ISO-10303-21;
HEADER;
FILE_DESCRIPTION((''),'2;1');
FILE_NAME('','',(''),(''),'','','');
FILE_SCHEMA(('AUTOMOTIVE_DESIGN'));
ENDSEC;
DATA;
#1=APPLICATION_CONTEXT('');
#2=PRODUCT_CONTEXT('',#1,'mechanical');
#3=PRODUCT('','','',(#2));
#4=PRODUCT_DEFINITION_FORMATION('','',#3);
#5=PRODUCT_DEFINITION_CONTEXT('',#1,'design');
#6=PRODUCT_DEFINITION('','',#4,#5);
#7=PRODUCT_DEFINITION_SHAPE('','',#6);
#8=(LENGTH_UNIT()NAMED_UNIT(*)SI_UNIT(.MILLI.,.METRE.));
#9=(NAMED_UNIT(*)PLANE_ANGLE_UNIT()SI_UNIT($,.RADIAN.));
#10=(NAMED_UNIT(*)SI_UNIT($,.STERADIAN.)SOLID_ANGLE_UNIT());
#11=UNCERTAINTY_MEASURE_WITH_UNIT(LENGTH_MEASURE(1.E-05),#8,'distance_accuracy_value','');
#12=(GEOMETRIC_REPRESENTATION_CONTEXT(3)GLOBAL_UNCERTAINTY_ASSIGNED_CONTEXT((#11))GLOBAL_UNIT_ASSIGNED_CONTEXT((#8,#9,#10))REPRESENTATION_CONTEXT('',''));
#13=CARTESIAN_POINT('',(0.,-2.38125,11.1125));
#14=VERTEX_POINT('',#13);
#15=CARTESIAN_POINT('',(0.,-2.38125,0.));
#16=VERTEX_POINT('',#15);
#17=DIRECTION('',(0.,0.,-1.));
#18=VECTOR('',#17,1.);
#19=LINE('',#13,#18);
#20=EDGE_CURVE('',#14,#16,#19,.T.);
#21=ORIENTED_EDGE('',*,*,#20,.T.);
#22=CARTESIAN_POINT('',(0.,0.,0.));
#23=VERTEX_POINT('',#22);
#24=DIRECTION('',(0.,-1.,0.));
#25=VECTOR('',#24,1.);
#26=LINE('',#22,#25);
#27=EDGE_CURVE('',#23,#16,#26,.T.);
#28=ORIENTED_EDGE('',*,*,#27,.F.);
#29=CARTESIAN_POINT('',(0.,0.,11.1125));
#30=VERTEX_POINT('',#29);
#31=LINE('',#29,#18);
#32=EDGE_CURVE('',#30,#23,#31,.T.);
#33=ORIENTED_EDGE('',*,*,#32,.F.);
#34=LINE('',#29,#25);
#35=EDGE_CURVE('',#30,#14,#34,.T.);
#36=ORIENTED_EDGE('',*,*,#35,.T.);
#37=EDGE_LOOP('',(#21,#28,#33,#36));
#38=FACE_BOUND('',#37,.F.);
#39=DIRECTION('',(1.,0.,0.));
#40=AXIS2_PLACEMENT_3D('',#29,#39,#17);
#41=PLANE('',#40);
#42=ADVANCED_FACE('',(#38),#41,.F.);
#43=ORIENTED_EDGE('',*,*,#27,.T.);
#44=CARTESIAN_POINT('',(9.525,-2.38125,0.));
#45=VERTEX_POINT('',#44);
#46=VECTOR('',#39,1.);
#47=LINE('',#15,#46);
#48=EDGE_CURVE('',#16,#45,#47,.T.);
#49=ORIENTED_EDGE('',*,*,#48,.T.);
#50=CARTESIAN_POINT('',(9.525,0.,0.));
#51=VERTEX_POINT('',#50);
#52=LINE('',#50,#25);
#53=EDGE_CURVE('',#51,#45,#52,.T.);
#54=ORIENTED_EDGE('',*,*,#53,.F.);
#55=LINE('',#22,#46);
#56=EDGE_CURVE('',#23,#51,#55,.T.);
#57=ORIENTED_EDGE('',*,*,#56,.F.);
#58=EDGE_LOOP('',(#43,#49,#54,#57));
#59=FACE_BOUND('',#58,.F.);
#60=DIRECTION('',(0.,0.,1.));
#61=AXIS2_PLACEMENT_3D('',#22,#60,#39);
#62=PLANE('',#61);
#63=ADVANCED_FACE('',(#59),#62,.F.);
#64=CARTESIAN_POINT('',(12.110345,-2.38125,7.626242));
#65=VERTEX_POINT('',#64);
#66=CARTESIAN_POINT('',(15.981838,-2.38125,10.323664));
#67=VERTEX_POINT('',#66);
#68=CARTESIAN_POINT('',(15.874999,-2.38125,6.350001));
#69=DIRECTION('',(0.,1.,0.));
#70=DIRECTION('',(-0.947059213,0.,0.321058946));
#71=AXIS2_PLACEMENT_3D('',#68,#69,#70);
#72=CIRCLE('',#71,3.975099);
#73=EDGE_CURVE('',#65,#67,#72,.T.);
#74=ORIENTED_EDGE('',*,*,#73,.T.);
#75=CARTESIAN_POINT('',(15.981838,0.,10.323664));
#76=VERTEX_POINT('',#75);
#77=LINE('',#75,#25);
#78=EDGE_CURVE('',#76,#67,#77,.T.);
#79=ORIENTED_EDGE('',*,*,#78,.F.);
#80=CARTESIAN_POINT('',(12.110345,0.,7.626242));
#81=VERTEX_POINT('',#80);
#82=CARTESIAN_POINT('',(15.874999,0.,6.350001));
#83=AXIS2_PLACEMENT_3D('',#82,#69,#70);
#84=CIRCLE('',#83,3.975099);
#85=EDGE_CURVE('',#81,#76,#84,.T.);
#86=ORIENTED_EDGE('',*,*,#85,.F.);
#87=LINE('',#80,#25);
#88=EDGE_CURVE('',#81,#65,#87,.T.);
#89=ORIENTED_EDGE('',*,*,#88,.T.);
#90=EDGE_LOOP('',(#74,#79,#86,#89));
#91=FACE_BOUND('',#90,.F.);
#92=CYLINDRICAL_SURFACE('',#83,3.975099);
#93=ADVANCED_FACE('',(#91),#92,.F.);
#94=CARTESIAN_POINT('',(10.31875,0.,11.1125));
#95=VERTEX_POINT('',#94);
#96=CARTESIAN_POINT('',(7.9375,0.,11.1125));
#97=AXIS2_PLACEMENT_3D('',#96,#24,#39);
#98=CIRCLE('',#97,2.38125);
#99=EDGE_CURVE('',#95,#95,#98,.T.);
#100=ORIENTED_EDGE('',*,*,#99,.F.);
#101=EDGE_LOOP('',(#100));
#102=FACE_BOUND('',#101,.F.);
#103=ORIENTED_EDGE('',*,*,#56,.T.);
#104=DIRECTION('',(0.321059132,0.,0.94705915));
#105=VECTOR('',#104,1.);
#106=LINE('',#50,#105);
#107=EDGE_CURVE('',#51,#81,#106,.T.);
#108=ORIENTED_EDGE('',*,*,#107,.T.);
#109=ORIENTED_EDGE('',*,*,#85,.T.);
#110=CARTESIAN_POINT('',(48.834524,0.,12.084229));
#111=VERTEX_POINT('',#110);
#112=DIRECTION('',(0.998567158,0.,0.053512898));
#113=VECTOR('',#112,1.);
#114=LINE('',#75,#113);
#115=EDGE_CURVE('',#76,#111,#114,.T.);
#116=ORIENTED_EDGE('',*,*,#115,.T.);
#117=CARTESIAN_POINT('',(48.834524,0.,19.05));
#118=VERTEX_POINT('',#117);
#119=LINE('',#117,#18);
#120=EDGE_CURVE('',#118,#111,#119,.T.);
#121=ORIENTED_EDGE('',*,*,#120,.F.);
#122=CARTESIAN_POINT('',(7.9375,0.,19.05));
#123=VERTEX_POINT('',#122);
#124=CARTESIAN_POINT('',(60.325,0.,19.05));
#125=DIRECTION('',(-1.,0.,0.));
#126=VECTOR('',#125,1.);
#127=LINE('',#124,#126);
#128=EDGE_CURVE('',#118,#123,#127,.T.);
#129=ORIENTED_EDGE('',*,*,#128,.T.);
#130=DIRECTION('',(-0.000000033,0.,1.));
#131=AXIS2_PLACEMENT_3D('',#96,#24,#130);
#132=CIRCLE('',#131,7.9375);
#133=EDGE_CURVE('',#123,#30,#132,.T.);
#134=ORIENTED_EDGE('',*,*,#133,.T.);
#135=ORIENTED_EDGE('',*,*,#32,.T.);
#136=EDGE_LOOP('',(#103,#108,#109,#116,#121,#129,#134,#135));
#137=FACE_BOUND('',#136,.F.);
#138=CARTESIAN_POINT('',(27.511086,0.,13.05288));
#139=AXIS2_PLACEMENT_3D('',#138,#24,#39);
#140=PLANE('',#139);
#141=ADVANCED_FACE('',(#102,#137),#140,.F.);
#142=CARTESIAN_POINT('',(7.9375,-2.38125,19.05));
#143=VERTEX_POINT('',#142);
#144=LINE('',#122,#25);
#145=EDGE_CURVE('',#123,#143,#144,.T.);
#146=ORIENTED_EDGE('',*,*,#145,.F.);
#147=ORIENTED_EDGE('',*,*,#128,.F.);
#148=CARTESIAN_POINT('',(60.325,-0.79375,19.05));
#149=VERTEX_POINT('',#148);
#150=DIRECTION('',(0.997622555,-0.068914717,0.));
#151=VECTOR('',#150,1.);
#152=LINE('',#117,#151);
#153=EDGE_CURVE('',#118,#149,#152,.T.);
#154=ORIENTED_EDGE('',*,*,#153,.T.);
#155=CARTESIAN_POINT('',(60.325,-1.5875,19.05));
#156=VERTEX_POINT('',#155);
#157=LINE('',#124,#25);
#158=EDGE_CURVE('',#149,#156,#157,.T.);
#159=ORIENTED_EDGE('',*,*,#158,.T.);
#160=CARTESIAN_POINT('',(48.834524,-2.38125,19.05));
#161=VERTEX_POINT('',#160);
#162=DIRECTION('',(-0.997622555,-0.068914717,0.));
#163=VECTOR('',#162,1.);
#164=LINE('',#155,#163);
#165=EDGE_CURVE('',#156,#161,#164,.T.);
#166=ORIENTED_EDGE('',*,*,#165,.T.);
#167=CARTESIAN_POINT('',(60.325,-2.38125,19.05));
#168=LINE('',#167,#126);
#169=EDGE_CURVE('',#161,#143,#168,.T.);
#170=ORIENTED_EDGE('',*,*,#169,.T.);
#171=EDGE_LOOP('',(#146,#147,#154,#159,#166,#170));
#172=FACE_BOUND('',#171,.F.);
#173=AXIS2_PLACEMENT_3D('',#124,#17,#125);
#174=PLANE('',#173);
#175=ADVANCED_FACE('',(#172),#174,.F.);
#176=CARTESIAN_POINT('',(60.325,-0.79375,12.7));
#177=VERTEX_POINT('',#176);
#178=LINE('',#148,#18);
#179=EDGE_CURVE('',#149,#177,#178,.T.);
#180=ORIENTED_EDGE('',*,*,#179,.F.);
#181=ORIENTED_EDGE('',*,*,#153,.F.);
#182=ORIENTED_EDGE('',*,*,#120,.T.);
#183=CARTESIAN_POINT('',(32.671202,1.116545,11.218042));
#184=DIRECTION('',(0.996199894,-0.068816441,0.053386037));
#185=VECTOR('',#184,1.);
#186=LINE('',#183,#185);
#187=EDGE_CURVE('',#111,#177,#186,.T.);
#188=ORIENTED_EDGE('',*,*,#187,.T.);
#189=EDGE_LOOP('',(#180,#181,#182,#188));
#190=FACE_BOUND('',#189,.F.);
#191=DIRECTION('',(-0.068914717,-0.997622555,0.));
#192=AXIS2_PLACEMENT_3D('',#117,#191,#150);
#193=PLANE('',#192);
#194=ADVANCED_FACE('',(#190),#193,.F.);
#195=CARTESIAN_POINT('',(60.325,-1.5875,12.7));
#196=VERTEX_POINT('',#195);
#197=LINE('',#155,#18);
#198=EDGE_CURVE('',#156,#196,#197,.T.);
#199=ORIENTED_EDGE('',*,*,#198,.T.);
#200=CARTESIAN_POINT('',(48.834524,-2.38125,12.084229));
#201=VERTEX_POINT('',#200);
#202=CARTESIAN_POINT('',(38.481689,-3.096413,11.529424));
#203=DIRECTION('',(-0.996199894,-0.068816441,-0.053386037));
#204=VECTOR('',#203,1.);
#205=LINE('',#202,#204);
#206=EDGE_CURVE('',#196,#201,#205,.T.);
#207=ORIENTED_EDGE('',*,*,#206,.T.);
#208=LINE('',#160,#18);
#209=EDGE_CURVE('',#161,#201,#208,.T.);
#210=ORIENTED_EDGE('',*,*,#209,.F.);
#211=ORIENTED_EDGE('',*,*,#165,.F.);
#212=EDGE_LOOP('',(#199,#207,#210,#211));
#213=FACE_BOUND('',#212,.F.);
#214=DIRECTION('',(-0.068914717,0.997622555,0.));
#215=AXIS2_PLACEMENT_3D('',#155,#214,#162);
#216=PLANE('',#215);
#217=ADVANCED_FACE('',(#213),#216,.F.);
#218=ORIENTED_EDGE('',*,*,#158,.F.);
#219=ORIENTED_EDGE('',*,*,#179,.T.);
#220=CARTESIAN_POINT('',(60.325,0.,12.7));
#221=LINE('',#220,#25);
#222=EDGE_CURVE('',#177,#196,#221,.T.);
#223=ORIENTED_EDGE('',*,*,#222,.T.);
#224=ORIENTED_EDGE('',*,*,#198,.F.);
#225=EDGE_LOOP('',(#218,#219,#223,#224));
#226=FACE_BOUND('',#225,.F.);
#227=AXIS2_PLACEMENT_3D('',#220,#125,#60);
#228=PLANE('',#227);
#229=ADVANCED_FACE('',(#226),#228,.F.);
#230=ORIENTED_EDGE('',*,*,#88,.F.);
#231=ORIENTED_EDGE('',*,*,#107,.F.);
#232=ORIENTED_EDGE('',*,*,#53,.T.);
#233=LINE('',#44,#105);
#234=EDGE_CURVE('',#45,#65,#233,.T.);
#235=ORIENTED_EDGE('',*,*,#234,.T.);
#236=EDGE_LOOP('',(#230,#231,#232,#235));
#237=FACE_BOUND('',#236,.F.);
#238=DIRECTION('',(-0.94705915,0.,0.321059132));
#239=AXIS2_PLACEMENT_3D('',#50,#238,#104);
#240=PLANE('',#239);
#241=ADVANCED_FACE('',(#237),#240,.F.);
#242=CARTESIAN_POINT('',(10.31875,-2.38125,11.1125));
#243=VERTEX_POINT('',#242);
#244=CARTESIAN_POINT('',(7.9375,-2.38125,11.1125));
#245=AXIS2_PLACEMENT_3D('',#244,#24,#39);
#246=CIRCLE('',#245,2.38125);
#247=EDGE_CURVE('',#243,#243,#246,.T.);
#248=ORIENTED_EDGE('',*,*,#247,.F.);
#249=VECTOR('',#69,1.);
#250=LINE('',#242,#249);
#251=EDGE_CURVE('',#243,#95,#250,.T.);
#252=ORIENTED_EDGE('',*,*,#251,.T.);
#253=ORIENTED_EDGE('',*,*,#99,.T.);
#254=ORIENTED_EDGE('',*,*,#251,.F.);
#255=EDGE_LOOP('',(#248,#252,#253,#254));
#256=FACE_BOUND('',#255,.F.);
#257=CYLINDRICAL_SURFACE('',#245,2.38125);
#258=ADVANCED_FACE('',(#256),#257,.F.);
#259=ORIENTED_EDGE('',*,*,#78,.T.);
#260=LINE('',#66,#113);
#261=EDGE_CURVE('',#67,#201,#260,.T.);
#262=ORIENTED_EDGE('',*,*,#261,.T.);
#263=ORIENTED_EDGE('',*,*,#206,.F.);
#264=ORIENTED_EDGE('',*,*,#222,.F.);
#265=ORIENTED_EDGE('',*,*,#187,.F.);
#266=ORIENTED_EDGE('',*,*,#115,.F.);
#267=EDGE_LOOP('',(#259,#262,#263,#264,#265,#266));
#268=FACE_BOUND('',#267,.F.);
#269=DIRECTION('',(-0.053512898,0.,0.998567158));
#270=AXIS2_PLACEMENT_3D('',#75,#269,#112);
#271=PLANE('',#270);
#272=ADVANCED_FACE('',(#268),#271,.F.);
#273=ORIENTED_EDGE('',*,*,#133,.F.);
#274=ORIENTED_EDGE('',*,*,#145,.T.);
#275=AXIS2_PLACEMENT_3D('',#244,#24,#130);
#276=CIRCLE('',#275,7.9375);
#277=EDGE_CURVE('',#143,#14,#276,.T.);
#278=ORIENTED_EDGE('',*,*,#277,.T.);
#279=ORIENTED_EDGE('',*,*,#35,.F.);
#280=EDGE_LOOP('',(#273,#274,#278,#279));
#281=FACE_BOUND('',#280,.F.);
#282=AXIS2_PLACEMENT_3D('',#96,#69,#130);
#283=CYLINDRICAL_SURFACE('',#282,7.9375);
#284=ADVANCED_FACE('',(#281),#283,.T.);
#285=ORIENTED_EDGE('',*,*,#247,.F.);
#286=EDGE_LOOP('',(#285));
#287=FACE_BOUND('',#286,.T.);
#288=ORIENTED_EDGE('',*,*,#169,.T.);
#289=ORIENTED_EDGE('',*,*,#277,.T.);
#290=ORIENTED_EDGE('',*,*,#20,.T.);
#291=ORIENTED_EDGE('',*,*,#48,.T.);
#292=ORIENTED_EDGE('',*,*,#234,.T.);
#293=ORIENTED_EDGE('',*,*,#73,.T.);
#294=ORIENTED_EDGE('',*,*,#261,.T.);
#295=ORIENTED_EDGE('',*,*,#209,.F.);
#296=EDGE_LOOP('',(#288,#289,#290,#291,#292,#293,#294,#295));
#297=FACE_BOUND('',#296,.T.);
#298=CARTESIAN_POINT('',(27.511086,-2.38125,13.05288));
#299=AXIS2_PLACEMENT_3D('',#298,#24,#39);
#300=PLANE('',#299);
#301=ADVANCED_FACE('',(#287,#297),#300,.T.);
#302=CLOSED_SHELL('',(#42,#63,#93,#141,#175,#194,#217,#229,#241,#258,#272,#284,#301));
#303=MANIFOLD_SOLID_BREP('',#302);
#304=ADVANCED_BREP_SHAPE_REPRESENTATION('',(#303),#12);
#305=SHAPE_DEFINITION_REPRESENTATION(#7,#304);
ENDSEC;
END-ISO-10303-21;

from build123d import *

# Parameters (mm, degrees)
F1_DEPTH = 2.38125
F2_R     = 2.38125
F3_DEPTH = 25.4
F5_DEPTH = 25.4


with BuildPart() as f1:
    # F0 (on Front) → F1 (new body)
    with BuildSketch(Plane.XZ):
        with BuildLine():
            Line((60.325, 19.05), (7.9375, 19.05))
            ThreePointArc((7.9375, 19.05), (2.32484, 16.72516), (0, 11.1125))
            Line((0, 11.1125), (0, 0))
            Line((0, 0), (9.525, 0))
            Line((9.525, 0), (12.110345, 7.626242))
            ThreePointArc((12.110345, 7.626242), (13.602572, 9.611517), (15.981838, 10.323664))
            Line((15.981838, 10.323664), (60.325, 12.7))
            Line((60.325, 12.7), (60.325, 19.05))
        make_face()
    extrude(amount=F1_DEPTH)

    # F2 (on face) → F3 (cut)
    with BuildSketch(Plane.XZ.offset(2.38125)):
        with Locations((7.9375, 11.1125)):
            Circle(F2_R)
    extrude(amount=-F3_DEPTH, mode=Mode.SUBTRACT)

    # F4 (on face) → F5 (cut)
    with BuildSketch(Plane.XY.offset(19.05)):
        Polygon((60.325, 0), (48.834524, 0), (60.325, -0.79375), align=None)
        Polygon((60.325, -2.38125), (60.325, -1.5875), (48.834524, -2.38125), align=None)
    extrude(amount=-F5_DEPTH, mode=Mode.SUBTRACT)


solid = f1.part
